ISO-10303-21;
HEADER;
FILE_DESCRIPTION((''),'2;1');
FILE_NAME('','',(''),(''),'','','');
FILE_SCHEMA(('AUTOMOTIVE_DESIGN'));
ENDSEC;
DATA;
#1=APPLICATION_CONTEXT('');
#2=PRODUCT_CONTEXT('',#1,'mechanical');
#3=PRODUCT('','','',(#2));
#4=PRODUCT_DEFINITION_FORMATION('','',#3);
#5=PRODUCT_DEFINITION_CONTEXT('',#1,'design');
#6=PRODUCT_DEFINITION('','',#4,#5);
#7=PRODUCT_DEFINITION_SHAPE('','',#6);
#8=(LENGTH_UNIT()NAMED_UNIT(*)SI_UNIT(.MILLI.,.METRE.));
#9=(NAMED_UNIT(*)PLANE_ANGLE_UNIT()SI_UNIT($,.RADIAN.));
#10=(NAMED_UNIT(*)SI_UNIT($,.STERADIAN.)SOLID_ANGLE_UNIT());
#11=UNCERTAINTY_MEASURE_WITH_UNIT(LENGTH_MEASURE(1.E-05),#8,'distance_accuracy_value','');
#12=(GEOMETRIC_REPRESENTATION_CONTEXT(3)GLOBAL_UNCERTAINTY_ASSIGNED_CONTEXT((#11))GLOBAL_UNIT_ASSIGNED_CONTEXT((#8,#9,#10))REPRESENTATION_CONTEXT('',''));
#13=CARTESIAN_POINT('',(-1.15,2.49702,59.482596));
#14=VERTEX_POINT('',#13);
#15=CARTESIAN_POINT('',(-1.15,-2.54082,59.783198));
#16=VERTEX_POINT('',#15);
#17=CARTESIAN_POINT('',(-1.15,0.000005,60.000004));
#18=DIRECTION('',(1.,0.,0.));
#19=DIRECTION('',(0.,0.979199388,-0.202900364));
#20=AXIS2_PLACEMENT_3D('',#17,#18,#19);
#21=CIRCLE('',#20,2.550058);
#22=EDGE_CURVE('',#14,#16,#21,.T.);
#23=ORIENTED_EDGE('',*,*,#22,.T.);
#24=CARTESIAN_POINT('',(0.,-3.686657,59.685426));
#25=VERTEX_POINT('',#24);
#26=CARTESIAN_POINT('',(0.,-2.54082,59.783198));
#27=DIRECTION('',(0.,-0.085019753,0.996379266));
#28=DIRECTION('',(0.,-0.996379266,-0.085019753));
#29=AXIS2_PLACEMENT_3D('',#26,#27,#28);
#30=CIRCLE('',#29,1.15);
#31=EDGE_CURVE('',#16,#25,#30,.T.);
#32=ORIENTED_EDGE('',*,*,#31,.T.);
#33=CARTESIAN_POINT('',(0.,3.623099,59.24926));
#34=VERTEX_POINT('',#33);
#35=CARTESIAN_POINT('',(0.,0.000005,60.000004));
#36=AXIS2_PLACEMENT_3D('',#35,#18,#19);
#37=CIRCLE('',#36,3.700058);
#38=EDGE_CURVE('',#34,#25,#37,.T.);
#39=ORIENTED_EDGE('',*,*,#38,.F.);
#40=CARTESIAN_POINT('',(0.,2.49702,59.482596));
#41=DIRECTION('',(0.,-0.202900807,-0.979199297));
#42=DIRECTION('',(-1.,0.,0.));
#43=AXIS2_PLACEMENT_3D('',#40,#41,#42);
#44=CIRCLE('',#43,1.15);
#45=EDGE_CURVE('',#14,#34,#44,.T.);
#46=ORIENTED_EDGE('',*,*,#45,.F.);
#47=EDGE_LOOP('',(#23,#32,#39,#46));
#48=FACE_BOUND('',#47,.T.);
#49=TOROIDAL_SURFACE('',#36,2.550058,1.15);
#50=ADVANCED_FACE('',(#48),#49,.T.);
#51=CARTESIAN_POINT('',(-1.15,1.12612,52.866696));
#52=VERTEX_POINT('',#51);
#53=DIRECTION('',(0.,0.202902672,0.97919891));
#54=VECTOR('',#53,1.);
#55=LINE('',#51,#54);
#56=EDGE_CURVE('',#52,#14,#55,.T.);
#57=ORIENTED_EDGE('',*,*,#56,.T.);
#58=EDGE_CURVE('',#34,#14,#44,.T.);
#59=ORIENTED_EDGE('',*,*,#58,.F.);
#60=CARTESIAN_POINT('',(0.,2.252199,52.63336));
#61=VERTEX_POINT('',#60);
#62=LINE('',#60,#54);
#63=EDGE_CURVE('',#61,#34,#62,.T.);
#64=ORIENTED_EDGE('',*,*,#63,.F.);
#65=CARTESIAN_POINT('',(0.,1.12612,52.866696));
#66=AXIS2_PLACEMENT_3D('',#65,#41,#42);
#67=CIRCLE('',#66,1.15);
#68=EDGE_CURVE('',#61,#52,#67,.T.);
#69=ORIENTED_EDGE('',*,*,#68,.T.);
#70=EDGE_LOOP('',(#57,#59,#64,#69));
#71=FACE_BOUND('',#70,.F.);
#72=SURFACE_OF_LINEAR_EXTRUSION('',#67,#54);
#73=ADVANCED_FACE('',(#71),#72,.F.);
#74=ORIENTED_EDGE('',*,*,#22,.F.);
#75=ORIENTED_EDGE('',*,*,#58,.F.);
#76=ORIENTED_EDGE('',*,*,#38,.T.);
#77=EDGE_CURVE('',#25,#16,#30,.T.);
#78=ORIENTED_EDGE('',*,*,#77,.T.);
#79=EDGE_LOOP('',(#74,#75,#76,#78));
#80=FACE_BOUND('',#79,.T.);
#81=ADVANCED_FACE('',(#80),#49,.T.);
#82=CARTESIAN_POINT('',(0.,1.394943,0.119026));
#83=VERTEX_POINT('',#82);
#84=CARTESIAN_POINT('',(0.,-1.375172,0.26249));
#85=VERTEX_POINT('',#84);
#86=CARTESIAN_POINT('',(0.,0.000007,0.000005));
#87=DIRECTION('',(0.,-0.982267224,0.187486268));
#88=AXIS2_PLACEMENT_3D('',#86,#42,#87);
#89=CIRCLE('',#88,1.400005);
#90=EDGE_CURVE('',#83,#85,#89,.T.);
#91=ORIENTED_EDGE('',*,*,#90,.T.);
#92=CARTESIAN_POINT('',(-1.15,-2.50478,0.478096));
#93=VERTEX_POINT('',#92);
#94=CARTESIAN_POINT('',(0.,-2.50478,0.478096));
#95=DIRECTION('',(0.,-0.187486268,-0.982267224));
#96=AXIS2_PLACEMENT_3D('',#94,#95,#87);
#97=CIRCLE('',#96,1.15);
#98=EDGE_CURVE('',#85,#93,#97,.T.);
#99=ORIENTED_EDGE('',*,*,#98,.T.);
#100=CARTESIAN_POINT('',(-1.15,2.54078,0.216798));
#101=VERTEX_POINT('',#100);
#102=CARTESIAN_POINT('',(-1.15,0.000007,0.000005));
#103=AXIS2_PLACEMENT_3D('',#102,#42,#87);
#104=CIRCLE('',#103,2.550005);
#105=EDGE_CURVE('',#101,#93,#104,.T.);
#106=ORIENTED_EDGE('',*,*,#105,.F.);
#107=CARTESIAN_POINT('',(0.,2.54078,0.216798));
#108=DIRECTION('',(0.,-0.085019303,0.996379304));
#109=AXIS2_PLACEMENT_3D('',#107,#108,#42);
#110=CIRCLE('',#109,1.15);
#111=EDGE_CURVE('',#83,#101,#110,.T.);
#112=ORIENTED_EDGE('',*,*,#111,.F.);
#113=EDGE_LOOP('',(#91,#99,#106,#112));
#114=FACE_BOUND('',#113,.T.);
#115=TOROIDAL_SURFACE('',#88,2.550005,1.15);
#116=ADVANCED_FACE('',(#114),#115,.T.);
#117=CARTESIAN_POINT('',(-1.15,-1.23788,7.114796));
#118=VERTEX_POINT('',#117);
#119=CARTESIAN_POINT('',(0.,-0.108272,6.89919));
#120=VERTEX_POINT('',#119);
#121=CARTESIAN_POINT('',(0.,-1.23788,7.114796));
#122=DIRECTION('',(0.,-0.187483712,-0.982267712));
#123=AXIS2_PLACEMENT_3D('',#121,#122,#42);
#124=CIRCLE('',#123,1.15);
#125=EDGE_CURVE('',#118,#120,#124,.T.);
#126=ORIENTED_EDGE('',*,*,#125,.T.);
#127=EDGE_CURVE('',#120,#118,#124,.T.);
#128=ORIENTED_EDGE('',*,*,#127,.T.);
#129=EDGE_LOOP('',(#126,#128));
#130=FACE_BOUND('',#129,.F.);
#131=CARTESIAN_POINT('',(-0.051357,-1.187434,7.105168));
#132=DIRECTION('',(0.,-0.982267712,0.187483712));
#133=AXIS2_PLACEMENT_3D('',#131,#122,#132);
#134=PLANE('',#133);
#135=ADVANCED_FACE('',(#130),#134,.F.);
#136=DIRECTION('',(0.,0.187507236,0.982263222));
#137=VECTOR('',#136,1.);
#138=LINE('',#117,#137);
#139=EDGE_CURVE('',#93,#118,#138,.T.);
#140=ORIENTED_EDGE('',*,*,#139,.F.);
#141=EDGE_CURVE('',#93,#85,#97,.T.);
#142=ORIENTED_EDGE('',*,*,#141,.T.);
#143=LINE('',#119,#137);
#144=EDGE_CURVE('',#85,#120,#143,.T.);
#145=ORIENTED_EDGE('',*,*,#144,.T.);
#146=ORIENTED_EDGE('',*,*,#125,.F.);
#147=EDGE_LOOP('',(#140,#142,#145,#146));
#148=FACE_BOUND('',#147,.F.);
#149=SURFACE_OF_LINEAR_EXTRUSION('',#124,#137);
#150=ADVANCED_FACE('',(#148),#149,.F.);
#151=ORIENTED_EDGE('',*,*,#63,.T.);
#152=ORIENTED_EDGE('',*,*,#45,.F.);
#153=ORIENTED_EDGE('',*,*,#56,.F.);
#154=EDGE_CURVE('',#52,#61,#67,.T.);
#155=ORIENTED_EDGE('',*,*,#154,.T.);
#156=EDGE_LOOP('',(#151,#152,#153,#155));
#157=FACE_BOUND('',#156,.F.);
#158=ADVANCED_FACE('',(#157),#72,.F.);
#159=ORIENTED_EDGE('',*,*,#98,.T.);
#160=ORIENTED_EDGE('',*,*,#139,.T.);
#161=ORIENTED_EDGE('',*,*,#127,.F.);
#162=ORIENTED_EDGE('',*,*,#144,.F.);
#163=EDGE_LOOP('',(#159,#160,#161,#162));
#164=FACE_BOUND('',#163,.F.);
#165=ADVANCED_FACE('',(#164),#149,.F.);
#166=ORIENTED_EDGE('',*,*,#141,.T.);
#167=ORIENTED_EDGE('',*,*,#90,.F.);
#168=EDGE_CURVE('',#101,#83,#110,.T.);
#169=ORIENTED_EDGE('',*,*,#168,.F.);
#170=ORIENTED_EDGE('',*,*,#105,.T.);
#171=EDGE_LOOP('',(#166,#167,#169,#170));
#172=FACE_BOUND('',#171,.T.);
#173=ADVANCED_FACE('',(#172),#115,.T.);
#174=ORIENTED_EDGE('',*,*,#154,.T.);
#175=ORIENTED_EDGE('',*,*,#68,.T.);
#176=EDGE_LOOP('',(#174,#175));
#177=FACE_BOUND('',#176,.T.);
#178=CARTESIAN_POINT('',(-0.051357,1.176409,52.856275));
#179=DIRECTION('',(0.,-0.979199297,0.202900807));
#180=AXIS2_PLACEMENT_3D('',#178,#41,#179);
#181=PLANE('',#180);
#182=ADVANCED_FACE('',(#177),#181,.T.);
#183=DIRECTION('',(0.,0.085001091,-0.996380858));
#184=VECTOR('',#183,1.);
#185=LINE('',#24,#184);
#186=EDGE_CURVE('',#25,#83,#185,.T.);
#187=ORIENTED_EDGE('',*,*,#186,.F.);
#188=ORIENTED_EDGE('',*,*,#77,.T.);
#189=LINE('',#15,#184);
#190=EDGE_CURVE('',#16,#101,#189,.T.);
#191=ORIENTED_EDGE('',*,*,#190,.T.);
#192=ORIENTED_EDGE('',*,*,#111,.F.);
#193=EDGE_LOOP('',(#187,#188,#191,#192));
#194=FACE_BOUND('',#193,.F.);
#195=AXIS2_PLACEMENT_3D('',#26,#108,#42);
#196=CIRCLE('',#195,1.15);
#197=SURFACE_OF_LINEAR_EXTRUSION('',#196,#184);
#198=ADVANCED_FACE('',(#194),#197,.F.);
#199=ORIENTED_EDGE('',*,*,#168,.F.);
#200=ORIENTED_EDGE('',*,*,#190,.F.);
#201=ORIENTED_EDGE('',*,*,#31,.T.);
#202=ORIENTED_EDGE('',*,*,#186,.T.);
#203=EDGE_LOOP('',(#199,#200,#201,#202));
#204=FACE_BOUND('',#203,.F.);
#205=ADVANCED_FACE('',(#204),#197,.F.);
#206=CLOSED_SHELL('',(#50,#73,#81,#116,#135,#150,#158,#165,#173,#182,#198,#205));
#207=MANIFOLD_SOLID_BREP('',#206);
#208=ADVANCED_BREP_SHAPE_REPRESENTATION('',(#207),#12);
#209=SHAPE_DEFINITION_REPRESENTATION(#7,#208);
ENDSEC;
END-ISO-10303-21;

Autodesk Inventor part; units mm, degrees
ref_plane "YZ Plane" through (0, 0, 0) normal (1, 0, 0) x (0, 1, 0)
ref_plane "XZ Plane" through (0, 0, 0) normal (0, 1, 0) x (-1, 0, 0)
ref_plane "XY Plane" through (0, 0, 0) normal (0, 0, 1) x (1, 0, 0)
sketch "Boceto1" plane through (0, 0, 0) normal (1, 0, 0) x (0, 1, 0)
  arc A0 (-1.3752, 0.2625) -> (1.3949, 0.119) centre (0, 0) ccw
  line L0 (-1.3949, 59.881) -> (3.6866, 0.3145)
  line L1 (-3.6866, 59.6855) -> (1.3949, 0.119)
  line L2 (-2.5408, 59.7832) -> (2.5408, 0.2168)
  line L3 (0, 53.1) -> (1.3709, 59.7159)
  line L4 (2.2522, 52.6333) -> (3.623, 59.2493)
  line L5 (1.1261, 52.8667) -> (2.497, 59.4826)
  line L6 (-0.1083, 6.8991) -> (-1.3752, 0.2625)
  arc A1 (-2.5048, 0.4781) -> (2.5408, 0.2168) centre (0, 0) ccw
  arc A2 (-3.6344, 0.6937) -> (3.6866, 0.3145) centre (0, 0) ccw
  arc A3 (3.623, 59.2493) -> (-3.6866, 59.6855) centre (0, 60) ccw
  arc A4 (2.497, 59.4826) -> (-2.5408, 59.7832) centre (0, 60) ccw
  arc A5 (1.3709, 59.7159) -> (-1.3949, 59.881) centre (0, 60) ccw
  line L7 (0, 53.1) -> (2.2522, 52.6333)
  line L8 (-0.1083, 6.8991) -> (-2.3675, 7.3304)
  line L9 (-1.2379, 7.1148) -> (-2.5048, 0.4781)
  line L10 (-2.3675, 7.3304) -> (-3.6344, 0.6937)
  dimension "d0" = 2.8
  dimension "d11" = 6.9
  dimension "d12" = 60
  dimension "d13" = 2.3
  dimension "d14" = 1.15
  dimension "d15" = 6.9
  dimension "d22" = 1.4
  dimension "d23" = 0
  dimension "d25" = 1.15
  dimension "d26" = 1.15
sketch "Boceto2" plane through (0, 0, 0) normal (0, 1, 0) x (-1, 0, 0)
  line L0 (0, 0) -> (0, -2.55)
  circle A0 centre (0, -2.55) radius 1.15
  dimension "d18" = 2.55
  dimension "d19" = 2.3
sweep "Barrido1" add profiles "Boceto2" path "Boceto1" path curves L5 A4 L2 A1 L9
equation "\"d0\" = wire_D + 0.5 * offset"
equation "\"d11\" = 3 * wire_D"
equation "\"d12\" = r4"
equation "\"d13\" = wire_D"
equation "\"d14\" = 0.5 * wire_D"
equation "\"d15\" = 3 * wire_D"
equation "\"d22\" = 0.5 * d0"
equation "\"d25\" = 0.5 * wire_D"
equation "\"d26\" = 0.5 * wire_D"
equation "\"d18\" = 0.5 * d0 + 0.5 * wire_D"
equation "\"d19\" = wire_D"
equation "\"offset\" = 1"
equation "\"r4\" = 60"
equation "\"wire_D\" = 2.3"
equation "\"thikness\" = 2"
equation "\"r1\" = 5.55"
equation "\"r2o\" = 59.75"
equation "\"delta_y\" = 6"
equation "\"wire_d\" = 1"
equation "\"width_ang_spring\" = 5"
equation "\"spring_int_diam\" = 8.5"
equation "\"spring_ext_diam\" = 10.5"
equation "\"r3\" = 8.25"
equation "\"r3R\" = 4.75"
equation "\"r3T\" = 6.74537"
equation "\"alpha\" = 54.847297deg"
equation "\"alpha2\" = 270deg"
equation "\"theta3_recogido\" = 305.152703deg"
equation "\"delta_theta_3\" = 45deg"
equation "\"joint_width\" = 12"
equation "\"joint_radius\" = 7.75"
equation "\"shaft_width\" = 15"
equation "\"shaft_joint_diameter\" = 7.75"
equation "\"separation_space\" = 0.5"
equation "\"height_finger\" = 42"
equation "\"cell_screw_head_diameter\" = 4"
equation "\"cell_screw_diameter\" = 2"
equation "\"cell_space\" = 2"
equation "\"cell_width\" = 6"
equation "\"cell_theta_position\" = 60deg"
equation "\"cell_thikness\" = 1"
equation "\"cell_lenght\" = 37"
equation "\"cell_z_space\" = 5"
equation "\"width_link\" = 8"
equation "\"Dt\" = 1.05949"
equation "\"Djoint_shaft\" = 2.3"
equation "\"shaft_x\" = 1.45"
equation "\"shaft_y\" = 6.45"
equation "\"lenght_body_link\" = 186.05"
equation "\"lenght_bar_support\" = 201.65"
equation "\"trigger_offset\" = 2"
equation "\"m2_theta2o\" = 107deg"
equation "\"m2_r2\" = 28"
equation "\"e\" = 9"
equation "\"So\" = 17"
equation "\"m2_theta3o\" = -30deg"
equation "\"m2_r3\" = 19.75"
equation "\"m2_delta_theta1\" = 15deg"
equation "\"m2_theta3f\" = -60deg"
equation "\"trigger_thumb_lenght\" = 6"
equation "\"width_r12\" = 8"
equation "\"m2_r1\" = 25.2"
equation "\"r3_thikness\" = 3.5"
equation "\"t_thikness\" = 3"
equation "\"tg_width\" = 4"
equation "\"pivot_screw_d\" = 4"
equation "\"pivot_diameter\" = 7"
equation "\"sj_diam_shaft\" = 6"
equation "\"sj_groove\" = 2"
equation "\"sj_groove_deep\" = 7"
equation "\"sj_head_D\" = 7"
equation "\"sj_head_d\" = 4.7464"
equation "\"sj_head_height\" = 5"
equation "\"gj_d\" = 4"
equation "\"gj_out_section\" = 6"
equation "\"sf_head_height\" = 3"
equation "\"screw_lenght\" = 12"
equation "\"screwJ_top_D\" = 13"
equation "\"sf_head_width\" = 4.5"
equation "\"sf_head_grip_width\" = 2"
equation "\"sf_thikness\" = 5"
equation "\"sf_lenght\" = 9.5"
equation "\"sf_head_angle\" = 45deg"
equation "\"sf_base\" = 3"
equation "\"screw_Dhead\" = 8"
equation "\"gj_D\" = 6"
equation "\"screwJ_base_D\" = 9"
equation "\"screw_d\" = 4"
equation "\"sf_head_offset\" = 0.25"
equation "\"spring_lenght\" = 28"
equation "\"spring_int_d\" = 6"
equation "\"wire_spring_d\" = 1"
equation "\"ext_width_slider\" = 3.5"
equation "\"sfbox_tip_width\" = 2.5"
equation "\"slim_width_slider\" = 1.5"
equation "\"agarradera_width\" = 4"
equation "\"int_width_slider\" = 2"
equation "\"agarradera_position\" = 82.13077"
equation "\"sfbox_theta1\" = 60deg"
equation "\"sfbox_theta2\" = 45deg"
equation "\"agarradera_theta\" = 60deg"
equation "\"sfbox_width\" = 1.5"
equation "\"box_fat_slider_lenght\" = 67"
equation "\"fat_width_slider\" = 2"
equation "\"box_in_width\" = 72"
equation "\"flex_separation_theta\" = 60deg"
equation "\"sf_flex_separation\" = 38.66667"
equation "\"thikness_box\" = 1.5"
equation "\"box_slim_slider_lenght\" = 116"
equation "\"box_in_deep\" = 77"
equation "\"box_in_height\" = 35"
properties part number "link_4" material "Acero inoxidable, 440C"
